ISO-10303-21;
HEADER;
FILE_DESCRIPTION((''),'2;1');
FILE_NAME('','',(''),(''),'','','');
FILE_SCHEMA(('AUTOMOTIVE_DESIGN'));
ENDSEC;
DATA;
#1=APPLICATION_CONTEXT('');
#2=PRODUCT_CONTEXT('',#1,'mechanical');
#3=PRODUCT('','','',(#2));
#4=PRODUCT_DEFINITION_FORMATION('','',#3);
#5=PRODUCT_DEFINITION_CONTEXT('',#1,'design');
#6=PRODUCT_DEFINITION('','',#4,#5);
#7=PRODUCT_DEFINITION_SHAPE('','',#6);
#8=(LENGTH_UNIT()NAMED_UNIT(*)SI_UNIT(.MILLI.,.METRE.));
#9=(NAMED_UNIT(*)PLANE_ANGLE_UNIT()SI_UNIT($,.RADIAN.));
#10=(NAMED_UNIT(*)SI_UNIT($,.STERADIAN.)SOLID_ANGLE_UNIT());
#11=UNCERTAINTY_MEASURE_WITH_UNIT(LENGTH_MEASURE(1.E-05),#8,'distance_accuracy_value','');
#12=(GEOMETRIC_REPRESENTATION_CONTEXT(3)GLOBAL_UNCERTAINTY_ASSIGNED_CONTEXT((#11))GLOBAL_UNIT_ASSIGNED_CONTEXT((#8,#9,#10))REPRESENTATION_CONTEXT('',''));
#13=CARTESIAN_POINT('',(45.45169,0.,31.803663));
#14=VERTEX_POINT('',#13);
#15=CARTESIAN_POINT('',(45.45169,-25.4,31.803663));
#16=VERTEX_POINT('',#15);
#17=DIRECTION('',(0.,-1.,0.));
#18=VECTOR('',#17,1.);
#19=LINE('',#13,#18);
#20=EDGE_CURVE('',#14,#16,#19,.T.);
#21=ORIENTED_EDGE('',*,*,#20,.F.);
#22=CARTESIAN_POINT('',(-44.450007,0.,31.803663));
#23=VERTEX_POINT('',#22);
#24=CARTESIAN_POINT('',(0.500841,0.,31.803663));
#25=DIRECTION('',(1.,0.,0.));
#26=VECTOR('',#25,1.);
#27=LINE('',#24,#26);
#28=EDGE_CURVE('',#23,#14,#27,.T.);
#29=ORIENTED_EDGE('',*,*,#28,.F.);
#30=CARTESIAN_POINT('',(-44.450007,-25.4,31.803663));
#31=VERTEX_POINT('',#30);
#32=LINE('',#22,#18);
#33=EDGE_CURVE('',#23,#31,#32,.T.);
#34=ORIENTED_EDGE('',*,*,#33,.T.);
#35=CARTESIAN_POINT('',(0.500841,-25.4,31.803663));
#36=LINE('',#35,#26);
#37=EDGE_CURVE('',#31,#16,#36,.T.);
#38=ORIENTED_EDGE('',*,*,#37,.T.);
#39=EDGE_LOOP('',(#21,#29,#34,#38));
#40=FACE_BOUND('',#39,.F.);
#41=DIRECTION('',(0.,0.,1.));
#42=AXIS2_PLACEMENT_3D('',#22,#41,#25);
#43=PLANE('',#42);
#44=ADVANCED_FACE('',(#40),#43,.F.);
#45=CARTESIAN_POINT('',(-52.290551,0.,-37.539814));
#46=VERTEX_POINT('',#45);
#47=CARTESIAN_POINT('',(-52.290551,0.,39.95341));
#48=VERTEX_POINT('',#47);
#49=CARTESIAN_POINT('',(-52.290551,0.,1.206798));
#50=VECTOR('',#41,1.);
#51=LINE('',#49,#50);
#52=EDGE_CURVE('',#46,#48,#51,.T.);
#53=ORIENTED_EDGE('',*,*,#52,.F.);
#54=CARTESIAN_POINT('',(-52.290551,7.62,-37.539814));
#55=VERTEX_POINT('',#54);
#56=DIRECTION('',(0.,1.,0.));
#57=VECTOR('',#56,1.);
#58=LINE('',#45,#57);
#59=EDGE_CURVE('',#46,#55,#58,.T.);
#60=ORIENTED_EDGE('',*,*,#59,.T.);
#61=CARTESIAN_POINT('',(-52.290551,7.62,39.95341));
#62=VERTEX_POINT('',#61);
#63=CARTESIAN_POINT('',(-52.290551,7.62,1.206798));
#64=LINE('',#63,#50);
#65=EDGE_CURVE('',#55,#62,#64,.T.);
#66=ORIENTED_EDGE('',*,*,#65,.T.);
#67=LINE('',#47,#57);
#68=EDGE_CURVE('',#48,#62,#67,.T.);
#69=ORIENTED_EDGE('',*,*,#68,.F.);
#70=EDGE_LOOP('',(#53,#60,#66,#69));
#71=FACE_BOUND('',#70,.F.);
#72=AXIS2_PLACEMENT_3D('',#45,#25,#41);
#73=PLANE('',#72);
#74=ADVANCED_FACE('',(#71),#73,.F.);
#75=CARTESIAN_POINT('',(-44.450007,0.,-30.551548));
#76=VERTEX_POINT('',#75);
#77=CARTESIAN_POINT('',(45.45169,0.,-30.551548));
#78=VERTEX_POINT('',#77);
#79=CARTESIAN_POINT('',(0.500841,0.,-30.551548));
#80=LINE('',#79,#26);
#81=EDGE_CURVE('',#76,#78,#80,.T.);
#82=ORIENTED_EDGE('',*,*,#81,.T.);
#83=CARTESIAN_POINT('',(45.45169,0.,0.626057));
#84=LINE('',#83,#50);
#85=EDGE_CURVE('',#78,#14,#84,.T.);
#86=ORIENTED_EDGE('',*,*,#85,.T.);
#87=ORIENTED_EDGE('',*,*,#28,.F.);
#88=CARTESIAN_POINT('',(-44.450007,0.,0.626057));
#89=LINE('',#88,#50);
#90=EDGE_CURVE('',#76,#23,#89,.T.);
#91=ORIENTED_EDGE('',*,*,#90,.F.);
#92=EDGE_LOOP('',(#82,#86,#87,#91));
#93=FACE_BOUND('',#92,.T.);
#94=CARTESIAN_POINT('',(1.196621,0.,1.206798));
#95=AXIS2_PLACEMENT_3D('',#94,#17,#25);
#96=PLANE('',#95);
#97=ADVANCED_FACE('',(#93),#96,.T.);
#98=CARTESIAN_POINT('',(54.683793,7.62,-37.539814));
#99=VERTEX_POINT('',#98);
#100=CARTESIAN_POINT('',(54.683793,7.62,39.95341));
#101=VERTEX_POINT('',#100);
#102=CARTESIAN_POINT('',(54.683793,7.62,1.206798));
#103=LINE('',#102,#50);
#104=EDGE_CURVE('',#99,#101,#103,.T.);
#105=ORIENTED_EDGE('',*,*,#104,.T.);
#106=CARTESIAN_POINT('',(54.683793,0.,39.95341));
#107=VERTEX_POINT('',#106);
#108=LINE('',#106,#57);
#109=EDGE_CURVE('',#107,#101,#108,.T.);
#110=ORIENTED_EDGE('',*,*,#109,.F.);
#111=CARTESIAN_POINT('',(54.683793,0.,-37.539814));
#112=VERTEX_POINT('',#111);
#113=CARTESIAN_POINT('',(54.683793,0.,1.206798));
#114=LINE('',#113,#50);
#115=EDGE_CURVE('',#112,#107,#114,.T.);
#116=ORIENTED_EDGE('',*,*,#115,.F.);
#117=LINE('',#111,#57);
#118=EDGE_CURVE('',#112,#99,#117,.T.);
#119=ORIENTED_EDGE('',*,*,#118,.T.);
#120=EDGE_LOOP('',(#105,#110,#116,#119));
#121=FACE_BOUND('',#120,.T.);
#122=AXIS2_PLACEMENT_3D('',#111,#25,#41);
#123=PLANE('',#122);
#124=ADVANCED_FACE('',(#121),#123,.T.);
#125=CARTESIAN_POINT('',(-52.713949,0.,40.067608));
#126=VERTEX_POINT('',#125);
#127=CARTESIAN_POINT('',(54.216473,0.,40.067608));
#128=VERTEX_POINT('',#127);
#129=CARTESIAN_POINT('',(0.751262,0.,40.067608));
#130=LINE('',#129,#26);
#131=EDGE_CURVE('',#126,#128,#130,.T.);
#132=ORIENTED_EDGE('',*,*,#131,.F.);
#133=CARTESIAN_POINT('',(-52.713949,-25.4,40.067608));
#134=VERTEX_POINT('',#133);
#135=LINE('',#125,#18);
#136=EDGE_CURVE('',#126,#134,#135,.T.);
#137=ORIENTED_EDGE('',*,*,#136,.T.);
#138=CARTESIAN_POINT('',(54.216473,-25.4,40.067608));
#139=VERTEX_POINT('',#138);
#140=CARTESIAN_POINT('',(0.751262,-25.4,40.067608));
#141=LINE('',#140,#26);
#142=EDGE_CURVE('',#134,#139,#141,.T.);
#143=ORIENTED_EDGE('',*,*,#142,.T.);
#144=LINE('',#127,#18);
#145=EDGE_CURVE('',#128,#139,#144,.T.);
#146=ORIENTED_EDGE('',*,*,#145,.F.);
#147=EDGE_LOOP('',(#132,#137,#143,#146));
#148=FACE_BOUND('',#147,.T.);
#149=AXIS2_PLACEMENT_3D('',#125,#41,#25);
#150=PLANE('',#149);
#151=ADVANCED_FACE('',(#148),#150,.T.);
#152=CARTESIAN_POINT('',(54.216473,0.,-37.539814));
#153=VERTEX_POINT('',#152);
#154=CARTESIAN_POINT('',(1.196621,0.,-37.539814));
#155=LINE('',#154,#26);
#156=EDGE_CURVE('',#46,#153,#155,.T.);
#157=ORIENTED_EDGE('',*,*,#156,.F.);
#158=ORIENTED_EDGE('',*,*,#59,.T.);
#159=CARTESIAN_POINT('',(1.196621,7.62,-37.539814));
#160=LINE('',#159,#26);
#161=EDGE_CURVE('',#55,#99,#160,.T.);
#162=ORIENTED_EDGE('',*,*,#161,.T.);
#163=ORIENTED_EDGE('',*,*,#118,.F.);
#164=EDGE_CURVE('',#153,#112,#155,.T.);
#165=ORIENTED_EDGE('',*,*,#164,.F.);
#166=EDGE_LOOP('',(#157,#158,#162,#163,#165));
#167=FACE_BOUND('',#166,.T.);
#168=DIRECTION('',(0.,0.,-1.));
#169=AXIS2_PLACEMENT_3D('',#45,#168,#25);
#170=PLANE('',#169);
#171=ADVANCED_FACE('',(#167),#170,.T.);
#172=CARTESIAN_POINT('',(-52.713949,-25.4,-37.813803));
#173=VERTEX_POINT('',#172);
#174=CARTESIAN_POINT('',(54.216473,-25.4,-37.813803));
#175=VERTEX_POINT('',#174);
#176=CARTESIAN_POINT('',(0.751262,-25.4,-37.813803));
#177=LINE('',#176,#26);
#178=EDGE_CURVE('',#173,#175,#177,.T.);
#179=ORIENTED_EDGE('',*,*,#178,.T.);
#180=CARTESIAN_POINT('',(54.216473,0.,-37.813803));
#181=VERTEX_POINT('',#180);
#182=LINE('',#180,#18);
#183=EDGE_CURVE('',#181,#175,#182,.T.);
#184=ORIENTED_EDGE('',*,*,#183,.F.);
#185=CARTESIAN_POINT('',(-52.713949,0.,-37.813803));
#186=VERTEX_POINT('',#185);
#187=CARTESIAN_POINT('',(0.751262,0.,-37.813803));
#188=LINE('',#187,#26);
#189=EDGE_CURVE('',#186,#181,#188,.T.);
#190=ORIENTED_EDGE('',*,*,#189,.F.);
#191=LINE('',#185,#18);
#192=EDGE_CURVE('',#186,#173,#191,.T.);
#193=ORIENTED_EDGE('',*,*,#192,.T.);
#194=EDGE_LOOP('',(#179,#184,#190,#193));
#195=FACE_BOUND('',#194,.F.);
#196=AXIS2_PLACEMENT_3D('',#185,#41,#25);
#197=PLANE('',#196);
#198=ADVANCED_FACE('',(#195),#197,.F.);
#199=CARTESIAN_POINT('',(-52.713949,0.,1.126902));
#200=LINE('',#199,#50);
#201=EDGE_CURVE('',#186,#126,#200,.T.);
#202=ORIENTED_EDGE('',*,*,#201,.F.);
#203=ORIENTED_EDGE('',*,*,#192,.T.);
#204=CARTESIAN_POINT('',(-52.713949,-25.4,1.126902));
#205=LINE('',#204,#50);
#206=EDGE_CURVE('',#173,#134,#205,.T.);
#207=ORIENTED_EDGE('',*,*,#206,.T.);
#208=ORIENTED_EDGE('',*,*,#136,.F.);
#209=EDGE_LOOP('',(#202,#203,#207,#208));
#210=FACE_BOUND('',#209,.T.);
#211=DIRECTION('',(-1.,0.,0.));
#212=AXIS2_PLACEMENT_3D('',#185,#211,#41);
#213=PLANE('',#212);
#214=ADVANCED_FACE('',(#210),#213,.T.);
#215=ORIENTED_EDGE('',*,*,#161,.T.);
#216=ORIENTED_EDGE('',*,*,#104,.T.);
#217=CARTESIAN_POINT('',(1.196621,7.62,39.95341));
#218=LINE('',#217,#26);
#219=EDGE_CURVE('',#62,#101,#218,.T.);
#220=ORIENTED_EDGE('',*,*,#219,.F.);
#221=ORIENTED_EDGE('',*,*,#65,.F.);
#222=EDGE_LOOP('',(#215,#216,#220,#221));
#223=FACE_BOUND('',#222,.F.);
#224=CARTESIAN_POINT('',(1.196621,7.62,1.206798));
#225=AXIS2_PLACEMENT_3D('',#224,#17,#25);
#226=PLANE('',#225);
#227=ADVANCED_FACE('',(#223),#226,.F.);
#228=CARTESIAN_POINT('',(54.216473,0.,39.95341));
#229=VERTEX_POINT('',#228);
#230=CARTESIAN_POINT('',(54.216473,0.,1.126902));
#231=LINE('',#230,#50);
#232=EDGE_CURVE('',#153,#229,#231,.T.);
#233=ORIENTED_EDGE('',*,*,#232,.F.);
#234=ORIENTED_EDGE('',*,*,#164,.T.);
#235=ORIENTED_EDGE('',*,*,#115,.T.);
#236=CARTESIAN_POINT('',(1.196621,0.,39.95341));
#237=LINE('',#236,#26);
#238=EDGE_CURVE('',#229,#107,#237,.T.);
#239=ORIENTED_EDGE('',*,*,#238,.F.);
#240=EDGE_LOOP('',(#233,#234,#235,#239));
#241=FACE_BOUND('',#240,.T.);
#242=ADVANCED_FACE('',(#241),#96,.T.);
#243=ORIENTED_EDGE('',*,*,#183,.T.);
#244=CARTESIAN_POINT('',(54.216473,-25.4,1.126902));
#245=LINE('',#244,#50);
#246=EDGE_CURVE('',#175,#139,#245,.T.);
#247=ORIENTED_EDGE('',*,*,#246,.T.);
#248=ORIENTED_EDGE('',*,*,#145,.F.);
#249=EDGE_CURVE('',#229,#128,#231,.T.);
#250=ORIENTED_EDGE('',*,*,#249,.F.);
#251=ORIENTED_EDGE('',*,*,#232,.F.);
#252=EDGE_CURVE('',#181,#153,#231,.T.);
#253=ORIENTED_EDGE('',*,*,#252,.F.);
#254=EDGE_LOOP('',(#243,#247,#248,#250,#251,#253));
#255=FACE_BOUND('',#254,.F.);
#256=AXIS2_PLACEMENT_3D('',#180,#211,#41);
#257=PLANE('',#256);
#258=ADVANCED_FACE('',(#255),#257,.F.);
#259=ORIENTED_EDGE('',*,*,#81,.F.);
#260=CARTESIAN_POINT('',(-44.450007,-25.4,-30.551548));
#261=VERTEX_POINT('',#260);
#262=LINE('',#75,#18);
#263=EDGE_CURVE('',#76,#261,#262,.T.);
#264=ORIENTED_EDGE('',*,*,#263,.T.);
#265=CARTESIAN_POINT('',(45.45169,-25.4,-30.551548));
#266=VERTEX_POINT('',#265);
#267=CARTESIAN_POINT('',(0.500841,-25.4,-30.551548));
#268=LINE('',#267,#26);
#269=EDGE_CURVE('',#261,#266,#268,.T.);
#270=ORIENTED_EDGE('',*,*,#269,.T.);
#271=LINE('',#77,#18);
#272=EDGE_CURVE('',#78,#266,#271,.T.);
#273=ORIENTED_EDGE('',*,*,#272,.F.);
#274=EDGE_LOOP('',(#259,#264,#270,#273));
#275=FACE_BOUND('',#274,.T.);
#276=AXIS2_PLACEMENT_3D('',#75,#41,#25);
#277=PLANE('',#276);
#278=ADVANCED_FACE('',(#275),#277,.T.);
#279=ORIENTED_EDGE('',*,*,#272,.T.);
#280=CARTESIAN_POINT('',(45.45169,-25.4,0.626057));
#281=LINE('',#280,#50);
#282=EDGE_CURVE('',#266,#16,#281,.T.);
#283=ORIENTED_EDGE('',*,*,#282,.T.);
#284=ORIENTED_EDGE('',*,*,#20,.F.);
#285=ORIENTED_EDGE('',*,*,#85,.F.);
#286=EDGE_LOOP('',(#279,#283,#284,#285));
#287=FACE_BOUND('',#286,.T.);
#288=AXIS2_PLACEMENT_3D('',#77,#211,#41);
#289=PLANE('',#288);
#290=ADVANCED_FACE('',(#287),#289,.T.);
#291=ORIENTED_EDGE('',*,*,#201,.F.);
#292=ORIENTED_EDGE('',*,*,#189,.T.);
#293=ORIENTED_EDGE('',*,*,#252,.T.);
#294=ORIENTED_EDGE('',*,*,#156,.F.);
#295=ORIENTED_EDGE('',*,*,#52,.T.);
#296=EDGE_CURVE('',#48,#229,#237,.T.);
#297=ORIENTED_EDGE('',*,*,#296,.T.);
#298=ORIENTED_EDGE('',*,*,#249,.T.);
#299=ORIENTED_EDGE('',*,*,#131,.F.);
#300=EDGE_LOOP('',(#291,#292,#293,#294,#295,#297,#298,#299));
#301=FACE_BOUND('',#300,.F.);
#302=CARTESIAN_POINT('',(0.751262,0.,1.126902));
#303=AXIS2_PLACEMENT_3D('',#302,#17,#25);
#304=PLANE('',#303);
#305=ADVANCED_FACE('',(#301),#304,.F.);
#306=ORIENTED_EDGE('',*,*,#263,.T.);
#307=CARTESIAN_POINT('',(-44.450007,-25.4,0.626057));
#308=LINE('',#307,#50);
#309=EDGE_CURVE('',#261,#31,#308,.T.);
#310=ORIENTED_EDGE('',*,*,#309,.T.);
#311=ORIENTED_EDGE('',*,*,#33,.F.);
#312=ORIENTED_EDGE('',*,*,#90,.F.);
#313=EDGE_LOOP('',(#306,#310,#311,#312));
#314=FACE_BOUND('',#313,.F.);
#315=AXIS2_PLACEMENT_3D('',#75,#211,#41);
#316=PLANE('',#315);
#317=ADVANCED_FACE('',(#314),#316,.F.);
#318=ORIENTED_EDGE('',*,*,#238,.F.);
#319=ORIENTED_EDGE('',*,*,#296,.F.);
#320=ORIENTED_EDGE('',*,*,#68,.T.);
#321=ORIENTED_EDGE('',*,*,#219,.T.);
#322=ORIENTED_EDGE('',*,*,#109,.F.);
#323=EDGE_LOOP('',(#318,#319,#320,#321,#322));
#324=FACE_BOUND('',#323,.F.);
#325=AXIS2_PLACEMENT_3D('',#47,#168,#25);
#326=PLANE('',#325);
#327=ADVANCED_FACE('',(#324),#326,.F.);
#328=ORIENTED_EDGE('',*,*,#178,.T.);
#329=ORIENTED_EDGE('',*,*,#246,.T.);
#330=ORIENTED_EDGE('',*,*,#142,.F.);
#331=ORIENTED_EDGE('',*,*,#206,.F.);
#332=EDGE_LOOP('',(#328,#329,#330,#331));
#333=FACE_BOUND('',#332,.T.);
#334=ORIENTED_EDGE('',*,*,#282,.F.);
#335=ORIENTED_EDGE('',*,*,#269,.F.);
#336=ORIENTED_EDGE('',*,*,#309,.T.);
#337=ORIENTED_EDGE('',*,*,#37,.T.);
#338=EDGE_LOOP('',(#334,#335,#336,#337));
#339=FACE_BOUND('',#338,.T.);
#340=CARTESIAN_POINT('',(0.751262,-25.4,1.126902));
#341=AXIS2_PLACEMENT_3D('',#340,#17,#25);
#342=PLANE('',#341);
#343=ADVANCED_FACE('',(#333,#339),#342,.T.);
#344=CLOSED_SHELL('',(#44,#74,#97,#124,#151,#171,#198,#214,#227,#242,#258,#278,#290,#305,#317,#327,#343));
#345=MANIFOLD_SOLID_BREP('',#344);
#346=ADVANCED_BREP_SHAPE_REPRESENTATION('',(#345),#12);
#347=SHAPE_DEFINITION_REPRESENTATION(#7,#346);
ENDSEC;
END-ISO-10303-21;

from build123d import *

# Parameters (mm, degrees)
F0_W     = 106.930423
F0_H     = 77.881411
F0_W_2   = 89.901697
F0_H_2   = 62.355211
F1_DEPTH = 25.4
F2_W     = 106.974344
F2_H     = 77.493225
F3_DEPTH = 7.62


with BuildPart() as f1:
    # F0 (on Front) → F1 (new body)
    with BuildSketch(Plane.XZ):
        with Locations((0.751262, 1.126902)):
            Rectangle(F0_W, F0_H)
        with Locations((0.500841, 0.626057)):
            Rectangle(F0_W_2, F0_H_2, mode=Mode.SUBTRACT)
    extrude(amount=F1_DEPTH)

    # F2 (on Front) → F3 (join)
    with BuildSketch(Plane.XZ):
        with Locations((1.196621, 1.206798)):
            Rectangle(F2_W, F2_H)
    extrude(amount=-F3_DEPTH)


solid = f1.part
